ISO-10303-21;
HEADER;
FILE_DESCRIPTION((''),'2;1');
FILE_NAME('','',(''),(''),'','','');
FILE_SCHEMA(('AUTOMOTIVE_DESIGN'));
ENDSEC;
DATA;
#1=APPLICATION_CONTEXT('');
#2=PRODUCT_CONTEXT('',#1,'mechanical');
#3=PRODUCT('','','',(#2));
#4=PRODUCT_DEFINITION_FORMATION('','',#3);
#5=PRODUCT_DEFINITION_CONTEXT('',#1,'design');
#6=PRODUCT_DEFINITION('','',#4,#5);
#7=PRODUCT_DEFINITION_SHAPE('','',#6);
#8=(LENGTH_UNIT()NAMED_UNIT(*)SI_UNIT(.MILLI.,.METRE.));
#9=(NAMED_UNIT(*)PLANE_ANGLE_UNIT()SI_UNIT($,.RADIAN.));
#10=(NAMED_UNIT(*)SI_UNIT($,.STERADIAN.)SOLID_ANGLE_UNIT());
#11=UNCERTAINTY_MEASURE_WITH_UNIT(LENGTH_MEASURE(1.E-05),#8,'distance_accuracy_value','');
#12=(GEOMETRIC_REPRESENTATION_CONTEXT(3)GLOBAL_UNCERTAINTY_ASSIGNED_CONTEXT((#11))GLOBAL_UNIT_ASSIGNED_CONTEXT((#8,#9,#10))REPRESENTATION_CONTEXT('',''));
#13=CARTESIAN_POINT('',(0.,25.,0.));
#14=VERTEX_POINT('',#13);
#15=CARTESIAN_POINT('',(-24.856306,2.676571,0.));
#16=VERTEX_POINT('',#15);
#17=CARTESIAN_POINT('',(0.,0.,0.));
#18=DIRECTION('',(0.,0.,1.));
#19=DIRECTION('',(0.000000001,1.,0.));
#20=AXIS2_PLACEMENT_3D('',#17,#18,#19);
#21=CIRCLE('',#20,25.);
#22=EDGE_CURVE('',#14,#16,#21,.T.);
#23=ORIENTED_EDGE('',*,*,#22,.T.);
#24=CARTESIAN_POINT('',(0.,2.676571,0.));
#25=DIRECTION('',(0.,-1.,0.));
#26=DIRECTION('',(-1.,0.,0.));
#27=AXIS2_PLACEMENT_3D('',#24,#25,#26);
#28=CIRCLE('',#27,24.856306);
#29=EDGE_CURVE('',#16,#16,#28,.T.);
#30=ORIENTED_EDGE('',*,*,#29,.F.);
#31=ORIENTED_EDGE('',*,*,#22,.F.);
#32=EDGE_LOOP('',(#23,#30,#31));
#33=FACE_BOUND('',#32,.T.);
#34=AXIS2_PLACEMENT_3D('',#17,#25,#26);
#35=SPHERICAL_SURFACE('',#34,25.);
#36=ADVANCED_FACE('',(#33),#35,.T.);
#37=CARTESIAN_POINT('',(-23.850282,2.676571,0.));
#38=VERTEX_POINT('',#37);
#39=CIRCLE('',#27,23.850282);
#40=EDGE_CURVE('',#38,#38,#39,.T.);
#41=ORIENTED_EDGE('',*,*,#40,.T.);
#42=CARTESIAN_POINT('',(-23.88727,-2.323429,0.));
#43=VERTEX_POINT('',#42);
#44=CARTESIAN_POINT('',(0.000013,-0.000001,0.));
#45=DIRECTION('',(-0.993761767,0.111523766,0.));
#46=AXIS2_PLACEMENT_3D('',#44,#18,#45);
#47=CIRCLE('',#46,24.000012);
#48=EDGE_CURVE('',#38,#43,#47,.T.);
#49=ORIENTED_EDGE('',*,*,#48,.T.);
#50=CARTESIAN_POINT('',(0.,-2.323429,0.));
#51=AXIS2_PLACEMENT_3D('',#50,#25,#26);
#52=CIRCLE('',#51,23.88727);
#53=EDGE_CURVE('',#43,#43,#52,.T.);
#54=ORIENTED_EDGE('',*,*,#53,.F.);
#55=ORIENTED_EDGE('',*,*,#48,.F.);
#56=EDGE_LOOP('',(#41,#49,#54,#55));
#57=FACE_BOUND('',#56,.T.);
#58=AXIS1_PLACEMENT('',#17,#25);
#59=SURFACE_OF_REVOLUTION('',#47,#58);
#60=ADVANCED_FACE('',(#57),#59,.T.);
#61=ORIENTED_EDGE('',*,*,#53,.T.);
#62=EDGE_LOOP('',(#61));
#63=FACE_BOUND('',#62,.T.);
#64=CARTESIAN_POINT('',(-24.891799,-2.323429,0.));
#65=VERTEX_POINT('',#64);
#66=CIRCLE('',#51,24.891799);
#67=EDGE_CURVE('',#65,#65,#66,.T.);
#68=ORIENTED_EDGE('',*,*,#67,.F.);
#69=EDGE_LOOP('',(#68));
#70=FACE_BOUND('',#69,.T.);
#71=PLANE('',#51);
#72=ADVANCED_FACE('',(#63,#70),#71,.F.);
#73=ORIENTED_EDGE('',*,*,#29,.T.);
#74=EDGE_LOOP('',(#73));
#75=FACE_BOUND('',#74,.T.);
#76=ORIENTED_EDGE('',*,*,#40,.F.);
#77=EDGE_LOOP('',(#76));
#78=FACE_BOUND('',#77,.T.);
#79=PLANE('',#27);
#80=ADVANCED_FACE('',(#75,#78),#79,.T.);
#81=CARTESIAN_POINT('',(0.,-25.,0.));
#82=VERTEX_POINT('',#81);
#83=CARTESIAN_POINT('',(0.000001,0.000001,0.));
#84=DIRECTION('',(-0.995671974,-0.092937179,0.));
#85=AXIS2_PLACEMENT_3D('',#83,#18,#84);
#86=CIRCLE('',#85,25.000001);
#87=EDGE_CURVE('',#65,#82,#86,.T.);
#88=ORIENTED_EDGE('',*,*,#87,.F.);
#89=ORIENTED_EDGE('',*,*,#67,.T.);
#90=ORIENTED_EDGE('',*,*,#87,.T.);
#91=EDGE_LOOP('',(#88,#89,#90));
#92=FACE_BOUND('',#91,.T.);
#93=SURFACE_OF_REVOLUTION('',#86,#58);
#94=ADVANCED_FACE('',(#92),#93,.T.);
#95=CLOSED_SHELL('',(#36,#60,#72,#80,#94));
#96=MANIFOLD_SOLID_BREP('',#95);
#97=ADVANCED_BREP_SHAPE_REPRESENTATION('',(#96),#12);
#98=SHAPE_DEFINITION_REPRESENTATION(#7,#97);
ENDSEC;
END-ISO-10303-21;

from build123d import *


with BuildPart() as f1:
    # F0 (on Top) → F1 (revolve)
    with BuildSketch(Plane.XY):
        with BuildLine():
            Line((0, -25), (0, 25))
            ThreePointArc((0, 25), (-16.704576, 18.599923), (-24.856306, 2.676571))
            Line((-24.856306, 2.676571), (-23.850282, 2.676571))
            ThreePointArc((-23.850282, 2.676571), (-23.999343, 0.177537), (-23.88727, -2.323429))
            Line((-23.88727, -2.323429), (-24.891799, -2.323429))
            ThreePointArc((-24.891799, -2.323429), (-16.836185, -18.480878), (0, -25))
        make_face()
    revolve(axis=Axis((0, 0, 0), (0, -1, 0)))


solid = f1.part
